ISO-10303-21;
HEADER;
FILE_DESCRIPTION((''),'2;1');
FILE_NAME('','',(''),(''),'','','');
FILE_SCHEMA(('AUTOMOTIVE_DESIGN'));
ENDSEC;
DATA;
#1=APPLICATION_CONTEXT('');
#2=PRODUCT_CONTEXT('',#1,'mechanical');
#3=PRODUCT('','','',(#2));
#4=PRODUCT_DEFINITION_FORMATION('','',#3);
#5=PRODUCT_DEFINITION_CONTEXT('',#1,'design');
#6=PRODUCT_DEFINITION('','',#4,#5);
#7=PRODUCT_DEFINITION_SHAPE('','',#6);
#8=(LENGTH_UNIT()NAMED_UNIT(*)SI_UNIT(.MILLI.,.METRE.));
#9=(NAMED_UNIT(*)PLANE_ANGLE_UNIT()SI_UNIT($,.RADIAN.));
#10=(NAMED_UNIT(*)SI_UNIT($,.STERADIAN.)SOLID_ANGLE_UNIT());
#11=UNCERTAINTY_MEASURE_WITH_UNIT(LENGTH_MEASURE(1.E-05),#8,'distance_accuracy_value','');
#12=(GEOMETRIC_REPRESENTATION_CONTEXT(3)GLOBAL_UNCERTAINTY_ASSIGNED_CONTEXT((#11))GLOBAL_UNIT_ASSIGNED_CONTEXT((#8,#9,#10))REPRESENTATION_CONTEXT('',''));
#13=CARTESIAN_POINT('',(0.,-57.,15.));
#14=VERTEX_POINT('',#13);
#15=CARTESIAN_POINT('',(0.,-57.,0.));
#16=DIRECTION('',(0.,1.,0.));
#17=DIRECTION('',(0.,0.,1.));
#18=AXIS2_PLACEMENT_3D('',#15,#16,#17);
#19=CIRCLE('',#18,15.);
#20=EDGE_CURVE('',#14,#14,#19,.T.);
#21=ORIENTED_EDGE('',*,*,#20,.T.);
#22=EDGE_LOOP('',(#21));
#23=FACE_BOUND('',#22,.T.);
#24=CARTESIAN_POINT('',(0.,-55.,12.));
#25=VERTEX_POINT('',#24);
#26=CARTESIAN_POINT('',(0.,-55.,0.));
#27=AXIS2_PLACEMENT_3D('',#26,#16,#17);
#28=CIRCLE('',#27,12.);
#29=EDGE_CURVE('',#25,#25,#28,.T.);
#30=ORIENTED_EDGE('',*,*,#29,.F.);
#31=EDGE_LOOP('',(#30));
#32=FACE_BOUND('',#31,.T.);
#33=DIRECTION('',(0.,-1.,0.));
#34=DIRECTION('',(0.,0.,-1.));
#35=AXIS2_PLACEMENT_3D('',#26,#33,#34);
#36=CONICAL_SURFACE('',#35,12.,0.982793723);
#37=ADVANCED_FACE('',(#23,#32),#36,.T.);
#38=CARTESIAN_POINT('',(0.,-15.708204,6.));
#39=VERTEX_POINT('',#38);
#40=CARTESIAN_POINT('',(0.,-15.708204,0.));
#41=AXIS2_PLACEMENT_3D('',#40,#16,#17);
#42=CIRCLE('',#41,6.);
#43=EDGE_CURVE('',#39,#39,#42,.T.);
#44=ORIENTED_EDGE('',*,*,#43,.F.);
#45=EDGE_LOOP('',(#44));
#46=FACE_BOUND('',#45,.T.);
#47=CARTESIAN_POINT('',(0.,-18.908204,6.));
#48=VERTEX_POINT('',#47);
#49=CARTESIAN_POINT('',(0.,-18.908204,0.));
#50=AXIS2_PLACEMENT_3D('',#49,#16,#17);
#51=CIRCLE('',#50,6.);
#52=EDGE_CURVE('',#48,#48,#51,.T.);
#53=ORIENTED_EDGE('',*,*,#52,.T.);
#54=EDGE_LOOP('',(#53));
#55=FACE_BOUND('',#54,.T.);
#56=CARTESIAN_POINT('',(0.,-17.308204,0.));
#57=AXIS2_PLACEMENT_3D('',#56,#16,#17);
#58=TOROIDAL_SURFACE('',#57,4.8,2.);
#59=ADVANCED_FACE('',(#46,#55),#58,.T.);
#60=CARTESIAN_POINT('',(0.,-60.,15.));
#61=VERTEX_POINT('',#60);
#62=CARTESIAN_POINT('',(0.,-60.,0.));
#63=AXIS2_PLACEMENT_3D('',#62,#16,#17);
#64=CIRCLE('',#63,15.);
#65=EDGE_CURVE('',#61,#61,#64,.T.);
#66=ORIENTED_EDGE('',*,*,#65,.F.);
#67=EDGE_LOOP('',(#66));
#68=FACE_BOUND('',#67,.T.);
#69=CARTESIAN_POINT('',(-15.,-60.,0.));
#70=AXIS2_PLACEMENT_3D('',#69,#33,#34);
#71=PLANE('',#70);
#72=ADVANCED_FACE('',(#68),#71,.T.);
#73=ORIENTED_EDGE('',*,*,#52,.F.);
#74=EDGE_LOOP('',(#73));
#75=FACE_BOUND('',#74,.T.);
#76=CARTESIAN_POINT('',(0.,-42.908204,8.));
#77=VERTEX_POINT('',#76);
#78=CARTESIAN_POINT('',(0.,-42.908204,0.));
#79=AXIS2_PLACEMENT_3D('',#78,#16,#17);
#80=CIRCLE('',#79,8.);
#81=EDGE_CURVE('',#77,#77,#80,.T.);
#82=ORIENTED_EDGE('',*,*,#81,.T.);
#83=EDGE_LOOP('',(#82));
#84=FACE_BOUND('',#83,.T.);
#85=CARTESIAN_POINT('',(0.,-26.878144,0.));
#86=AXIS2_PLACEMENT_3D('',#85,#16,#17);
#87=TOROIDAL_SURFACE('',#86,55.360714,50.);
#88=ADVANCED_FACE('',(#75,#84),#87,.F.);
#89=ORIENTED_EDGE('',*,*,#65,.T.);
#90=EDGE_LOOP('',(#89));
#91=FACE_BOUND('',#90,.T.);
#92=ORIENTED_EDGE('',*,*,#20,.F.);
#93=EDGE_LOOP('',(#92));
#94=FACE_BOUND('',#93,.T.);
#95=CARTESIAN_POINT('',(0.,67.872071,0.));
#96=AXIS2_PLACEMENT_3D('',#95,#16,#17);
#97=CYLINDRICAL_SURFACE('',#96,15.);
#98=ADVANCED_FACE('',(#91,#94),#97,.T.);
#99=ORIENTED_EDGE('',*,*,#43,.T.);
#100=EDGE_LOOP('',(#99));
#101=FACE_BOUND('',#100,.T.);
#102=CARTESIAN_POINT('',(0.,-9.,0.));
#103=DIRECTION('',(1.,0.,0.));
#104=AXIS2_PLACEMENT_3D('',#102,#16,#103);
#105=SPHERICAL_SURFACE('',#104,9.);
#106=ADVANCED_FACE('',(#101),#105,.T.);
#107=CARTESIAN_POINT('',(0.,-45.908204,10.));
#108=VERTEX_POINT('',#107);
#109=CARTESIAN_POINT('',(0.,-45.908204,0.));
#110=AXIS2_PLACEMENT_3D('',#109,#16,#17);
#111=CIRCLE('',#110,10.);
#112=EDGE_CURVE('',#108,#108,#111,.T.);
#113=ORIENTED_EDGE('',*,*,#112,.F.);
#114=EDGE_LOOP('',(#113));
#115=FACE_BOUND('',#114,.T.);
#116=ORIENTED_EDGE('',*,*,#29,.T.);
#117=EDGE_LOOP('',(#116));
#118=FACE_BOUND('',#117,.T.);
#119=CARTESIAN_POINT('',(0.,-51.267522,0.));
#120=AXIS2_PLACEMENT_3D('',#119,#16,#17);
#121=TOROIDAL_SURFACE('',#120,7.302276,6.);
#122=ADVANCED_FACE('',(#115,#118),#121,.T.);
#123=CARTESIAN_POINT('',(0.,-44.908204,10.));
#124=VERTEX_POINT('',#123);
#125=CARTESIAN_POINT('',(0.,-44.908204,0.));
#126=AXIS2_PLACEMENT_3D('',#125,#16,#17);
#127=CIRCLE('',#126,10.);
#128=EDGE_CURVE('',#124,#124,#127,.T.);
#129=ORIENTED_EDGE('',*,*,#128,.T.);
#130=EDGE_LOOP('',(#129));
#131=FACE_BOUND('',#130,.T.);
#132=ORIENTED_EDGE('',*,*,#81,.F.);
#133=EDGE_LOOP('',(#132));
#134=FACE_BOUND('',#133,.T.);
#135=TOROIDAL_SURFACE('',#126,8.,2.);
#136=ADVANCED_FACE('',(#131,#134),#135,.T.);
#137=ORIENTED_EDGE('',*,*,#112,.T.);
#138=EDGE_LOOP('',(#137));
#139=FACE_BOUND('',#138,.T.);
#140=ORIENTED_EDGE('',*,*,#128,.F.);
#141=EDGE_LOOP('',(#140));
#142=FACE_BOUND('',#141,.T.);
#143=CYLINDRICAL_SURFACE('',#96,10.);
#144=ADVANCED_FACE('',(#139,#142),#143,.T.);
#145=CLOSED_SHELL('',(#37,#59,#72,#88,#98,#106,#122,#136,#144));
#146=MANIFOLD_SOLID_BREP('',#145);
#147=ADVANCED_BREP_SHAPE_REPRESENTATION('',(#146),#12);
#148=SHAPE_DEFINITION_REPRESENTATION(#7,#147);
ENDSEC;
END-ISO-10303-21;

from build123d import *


with BuildPart() as part:
    # Sketch1 → Revolve1 (revolve)
    with BuildSketch(Plane.XY, mode=Mode.PRIVATE) as revolve1_sk:
        with BuildLine():
            Line((-10, -44.908203932), (-10, -45.908203932))
            ThreePointArc((-10, -45.908203932), (-13.162169665, -49.978471046), (-12, -55))
            Line((-12, -55), (-15, -57))
            Line((-15, -57), (-15, -60))
            Line((-15, -60), (0, -60))
            Line((0, -60), (0, 0))
            ThreePointArc((0, 0), (-8.407551231, -5.788601192), (-6, -15.708203932))
            ThreePointArc((-6, -15.708203932), (-6.8, -17.308203932), (-6, -18.908203932))
            ThreePointArc((-6, -18.908203932), (-5.533425696, -31.030418458), (-8, -42.908203932))
            ThreePointArc((-8, -42.908203932), (-9.414213562, -43.49399037), (-10, -44.908203932))
        make_face()
    revolve(revolve1_sk.sketch.rotate(Axis((0, 67.872071481, 0), (0, -1, 0)), 270), axis=Axis((0, 67.872071481, 0), (0, -1, 0)))


solid = part.part
